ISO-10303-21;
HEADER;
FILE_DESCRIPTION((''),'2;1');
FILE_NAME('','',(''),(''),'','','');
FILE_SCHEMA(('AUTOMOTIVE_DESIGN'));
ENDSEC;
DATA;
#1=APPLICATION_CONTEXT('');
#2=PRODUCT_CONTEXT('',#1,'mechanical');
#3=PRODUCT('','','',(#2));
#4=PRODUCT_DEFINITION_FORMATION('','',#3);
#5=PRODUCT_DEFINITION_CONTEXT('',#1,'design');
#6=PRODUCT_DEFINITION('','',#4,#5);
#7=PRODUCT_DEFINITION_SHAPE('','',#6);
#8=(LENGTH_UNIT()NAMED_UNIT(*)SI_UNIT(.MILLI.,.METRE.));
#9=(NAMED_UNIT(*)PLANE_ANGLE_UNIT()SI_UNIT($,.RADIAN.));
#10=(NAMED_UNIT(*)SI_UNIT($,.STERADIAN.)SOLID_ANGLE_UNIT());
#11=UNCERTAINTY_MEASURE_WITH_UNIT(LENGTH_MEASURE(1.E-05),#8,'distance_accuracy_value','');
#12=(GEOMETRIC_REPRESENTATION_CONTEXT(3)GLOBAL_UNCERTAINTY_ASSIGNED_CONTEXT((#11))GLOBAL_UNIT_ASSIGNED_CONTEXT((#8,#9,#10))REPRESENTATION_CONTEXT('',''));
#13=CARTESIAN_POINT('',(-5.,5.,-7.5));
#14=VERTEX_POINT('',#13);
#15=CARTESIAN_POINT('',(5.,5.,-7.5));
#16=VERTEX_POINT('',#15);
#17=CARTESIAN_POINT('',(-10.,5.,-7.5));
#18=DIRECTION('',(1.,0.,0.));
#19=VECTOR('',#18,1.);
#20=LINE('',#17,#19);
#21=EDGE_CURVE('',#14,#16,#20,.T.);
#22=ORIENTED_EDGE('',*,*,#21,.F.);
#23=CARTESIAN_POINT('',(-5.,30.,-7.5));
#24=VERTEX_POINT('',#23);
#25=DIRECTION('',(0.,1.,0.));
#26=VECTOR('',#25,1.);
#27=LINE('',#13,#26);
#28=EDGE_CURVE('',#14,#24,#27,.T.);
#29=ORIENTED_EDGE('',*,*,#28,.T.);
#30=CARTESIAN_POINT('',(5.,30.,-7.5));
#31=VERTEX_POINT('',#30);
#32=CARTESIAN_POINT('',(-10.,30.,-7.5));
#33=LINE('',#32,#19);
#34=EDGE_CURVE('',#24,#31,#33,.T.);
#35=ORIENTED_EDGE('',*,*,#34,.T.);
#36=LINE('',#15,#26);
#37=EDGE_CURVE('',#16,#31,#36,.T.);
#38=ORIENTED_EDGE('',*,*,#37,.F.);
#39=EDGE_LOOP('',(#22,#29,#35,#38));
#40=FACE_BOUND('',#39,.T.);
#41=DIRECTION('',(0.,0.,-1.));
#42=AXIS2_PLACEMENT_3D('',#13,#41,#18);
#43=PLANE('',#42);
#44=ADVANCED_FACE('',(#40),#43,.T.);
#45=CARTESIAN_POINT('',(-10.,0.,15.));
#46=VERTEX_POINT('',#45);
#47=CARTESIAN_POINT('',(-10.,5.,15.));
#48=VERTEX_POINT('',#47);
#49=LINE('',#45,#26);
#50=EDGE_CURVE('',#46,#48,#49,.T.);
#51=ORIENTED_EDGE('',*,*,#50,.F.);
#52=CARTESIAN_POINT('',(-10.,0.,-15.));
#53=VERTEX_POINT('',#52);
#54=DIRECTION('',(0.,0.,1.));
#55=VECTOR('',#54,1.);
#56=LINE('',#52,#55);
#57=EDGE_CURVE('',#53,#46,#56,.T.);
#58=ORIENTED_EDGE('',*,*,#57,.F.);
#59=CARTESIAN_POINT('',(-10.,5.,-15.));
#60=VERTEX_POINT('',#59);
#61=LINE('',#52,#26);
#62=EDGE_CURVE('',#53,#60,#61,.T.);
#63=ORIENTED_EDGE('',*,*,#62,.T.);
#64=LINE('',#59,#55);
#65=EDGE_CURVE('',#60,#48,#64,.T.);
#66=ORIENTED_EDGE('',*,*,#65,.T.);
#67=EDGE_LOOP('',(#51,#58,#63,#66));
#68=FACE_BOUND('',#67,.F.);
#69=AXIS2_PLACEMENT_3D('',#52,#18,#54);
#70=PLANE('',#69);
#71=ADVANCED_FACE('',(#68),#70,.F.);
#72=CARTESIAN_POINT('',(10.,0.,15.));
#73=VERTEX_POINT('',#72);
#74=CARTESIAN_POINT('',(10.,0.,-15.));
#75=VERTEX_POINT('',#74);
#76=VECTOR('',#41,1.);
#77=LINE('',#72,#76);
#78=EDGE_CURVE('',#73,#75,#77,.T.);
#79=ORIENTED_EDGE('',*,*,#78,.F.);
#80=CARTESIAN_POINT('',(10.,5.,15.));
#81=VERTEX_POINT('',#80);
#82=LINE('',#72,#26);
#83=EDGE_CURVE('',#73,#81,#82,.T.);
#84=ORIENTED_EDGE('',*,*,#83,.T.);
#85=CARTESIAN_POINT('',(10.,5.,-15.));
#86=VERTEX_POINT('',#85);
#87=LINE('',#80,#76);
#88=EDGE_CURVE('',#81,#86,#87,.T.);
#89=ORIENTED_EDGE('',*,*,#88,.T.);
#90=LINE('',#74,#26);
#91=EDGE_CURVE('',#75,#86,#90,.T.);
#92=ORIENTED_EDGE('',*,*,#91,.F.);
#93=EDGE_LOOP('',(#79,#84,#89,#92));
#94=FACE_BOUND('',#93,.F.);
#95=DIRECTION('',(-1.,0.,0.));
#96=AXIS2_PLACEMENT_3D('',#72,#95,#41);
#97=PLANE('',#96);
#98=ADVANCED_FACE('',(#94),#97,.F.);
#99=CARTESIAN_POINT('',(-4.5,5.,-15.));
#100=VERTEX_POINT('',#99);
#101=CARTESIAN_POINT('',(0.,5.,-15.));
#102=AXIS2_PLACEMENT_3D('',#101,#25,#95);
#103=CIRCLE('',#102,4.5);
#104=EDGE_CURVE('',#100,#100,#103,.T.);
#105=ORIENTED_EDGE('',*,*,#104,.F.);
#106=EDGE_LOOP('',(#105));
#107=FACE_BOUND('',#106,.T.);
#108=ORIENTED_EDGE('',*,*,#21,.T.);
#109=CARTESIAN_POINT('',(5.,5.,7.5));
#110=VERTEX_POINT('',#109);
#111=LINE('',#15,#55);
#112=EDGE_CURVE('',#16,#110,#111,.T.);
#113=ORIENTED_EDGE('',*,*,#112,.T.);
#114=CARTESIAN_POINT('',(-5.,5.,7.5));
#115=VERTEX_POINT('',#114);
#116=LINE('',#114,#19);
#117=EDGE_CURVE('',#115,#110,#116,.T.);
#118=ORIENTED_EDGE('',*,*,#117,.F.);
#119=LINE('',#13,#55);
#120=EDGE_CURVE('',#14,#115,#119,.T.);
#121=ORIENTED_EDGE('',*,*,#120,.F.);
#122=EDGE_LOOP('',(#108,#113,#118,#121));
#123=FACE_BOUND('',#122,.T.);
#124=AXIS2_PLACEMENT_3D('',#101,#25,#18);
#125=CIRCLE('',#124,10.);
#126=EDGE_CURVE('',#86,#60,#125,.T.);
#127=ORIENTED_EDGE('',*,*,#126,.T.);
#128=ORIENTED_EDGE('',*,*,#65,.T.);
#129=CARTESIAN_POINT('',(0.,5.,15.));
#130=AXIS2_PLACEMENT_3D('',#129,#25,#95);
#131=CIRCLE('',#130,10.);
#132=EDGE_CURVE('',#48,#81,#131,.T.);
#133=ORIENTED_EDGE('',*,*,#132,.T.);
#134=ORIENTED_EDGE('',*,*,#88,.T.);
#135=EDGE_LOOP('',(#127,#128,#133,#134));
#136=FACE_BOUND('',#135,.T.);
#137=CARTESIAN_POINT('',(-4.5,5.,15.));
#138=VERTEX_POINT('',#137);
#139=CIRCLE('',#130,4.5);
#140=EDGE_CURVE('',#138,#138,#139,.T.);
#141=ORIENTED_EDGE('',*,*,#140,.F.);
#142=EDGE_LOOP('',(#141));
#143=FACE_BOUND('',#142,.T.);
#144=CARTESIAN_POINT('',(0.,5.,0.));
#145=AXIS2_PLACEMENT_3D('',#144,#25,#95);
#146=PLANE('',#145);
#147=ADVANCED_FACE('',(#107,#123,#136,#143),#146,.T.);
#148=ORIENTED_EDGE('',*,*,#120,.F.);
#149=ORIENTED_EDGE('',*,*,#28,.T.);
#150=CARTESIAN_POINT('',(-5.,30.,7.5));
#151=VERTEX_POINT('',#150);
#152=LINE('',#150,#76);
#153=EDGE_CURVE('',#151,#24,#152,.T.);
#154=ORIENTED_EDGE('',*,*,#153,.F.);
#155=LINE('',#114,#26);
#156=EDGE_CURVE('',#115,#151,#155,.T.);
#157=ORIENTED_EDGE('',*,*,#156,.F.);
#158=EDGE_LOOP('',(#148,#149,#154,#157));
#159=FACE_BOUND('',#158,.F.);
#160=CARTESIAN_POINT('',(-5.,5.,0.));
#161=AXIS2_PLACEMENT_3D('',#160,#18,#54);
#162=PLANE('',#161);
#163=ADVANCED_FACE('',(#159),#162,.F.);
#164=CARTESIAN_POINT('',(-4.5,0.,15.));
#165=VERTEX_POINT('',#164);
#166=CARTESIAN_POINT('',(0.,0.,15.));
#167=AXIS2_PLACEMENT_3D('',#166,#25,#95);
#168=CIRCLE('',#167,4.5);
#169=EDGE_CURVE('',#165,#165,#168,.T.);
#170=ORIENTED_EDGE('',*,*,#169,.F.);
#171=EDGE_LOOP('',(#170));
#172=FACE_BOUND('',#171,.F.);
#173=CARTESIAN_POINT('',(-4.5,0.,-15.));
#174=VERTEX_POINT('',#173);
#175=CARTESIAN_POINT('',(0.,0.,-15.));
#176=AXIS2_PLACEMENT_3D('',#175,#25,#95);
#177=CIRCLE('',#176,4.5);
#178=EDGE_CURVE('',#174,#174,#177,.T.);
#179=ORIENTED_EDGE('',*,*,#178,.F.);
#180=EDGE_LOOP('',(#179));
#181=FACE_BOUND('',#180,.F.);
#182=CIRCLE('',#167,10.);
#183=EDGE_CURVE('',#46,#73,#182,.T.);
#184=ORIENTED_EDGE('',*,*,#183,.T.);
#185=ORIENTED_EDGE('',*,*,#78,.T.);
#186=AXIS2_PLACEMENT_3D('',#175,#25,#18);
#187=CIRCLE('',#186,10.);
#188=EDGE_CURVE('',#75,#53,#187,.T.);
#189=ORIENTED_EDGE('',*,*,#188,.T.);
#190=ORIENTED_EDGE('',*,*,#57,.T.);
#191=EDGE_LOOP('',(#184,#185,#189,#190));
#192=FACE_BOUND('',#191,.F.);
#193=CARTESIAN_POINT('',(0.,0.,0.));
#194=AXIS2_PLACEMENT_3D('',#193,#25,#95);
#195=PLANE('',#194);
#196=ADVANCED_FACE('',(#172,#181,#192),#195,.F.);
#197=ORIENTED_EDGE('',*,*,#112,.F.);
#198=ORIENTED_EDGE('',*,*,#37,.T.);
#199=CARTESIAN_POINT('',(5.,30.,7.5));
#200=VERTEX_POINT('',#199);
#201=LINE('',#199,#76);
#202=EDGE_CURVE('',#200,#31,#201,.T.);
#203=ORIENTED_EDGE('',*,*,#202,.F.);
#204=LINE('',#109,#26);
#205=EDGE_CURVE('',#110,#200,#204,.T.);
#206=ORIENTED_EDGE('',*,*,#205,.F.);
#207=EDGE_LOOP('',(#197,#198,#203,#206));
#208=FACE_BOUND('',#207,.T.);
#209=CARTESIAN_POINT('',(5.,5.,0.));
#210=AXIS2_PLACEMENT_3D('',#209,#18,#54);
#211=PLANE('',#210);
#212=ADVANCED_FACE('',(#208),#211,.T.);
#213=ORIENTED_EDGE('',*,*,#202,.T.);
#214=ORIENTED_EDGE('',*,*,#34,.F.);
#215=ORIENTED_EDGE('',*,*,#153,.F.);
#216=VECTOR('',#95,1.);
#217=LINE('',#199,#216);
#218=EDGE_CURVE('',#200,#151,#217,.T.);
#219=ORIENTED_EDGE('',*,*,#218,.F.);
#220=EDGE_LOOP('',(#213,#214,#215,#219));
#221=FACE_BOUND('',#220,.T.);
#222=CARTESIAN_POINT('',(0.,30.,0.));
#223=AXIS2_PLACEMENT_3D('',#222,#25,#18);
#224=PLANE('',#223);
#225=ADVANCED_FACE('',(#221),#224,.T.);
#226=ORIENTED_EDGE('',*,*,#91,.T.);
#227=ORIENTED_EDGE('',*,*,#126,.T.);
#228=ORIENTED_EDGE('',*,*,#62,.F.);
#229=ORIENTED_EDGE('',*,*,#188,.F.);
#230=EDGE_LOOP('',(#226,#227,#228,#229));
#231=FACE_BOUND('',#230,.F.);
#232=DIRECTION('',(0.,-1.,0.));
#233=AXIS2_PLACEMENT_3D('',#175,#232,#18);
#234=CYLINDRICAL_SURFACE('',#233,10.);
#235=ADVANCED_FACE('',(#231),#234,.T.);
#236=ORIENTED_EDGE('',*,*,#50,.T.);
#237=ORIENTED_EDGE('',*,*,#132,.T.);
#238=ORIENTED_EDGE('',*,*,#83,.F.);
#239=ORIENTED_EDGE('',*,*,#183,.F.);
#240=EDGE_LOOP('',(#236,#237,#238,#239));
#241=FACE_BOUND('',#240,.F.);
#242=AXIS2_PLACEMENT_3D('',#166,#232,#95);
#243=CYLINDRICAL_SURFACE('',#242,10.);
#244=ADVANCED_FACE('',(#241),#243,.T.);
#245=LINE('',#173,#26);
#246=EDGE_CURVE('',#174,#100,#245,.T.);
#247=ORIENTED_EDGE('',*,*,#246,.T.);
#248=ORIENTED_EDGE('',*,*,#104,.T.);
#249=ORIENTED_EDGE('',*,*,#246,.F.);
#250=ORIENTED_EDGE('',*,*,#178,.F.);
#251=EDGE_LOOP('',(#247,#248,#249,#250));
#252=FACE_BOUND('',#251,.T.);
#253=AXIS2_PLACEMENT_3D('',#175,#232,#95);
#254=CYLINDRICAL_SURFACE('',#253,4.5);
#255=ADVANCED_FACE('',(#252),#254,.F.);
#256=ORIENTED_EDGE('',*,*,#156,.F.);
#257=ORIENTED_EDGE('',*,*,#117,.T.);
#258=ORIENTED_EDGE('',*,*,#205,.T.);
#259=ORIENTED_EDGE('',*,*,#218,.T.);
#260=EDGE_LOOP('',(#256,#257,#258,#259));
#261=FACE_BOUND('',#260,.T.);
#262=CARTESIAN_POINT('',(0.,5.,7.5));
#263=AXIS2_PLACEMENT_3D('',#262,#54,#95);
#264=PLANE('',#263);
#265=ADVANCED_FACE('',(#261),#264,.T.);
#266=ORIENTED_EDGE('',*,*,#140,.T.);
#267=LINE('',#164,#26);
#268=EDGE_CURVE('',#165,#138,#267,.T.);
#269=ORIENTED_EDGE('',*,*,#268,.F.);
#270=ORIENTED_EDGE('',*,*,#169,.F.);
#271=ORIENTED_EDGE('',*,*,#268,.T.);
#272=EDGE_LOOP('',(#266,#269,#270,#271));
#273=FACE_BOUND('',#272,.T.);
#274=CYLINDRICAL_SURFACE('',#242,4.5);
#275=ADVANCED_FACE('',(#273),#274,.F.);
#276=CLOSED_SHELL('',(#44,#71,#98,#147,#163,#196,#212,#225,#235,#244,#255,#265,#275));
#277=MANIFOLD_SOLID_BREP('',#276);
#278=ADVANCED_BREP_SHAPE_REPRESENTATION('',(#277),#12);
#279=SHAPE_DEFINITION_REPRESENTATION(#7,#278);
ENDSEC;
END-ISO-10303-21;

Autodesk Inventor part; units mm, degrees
ref_plane "YZ Plane" through (0, 0, 0) normal (1, 0, 0) x (0, 1, 0)
ref_plane "XZ Plane" through (0, 0, 0) normal (0, 1, 0) x (-1, 0, 0)
ref_plane "XY Plane" through (0, 0, 0) normal (0, 0, 1) x (1, 0, 0)
sketch "Szkic1" plane through (0, 0, 0) normal (0, 1, 0) x (-1, 0, 0)
  circle A0 centre (0, -15) radius 4.5
  circle A1 centre (0, 15) radius 4.5
  line L0 (10, -15) -> (10, 15)
  line L1 (-10, 15) -> (-10, -15)
  arc A2 (10, 15) -> (-10, 15) centre (0, 15) ccw
  arc A3 (-10, -15) -> (10, -15) centre (0, -15) ccw
  point P0 (0, 0)
  dimension "d6" = 9
extrude "Wyciągnięcie proste1" add sketch "Szkic1" along normal blind 5
sketch "Szkic2" plane through (0, 5, 0) normal (0, 1, 0) x (1, 0, 0)
  line L0 (0, -7.5) -> (-10, -7.5)
  line L1 (-10, 15) -> (-10, -15) projected
  line L2 (-10, -7.5) -> (-10, 7.5)
  line L3 (-10, 7.5) -> (10, 7.5)
  line L4 (10, -15) -> (10, 15) projected
  line L5 (0, -7.5) -> (10, -7.5)
  line L6 (10, 7.5) -> (10, -7.5)
  line L7 (0, 0) -> (5, 0)
  line L8 (5, 0) -> (5, 7.5)
  line L9 (5, 0) -> (5, -7.5)
  line L10 (0, 0) -> (-5, 0)
  line L11 (-5, 0) -> (-5, 7.5)
  line L12 (-5, 0) -> (-5, -7.5)
  dimension "d11" = 7.5
  dimension "d12" = 15
  dimension "d13" = 5
  dimension "d14" = 5
extrude "Wyciągnięcie proste2" add sketch "Szkic2" along normal blind 25 contours L0 L12 L10 L7 L9 L5 | L11 L3 L8 L7 L10
properties part number "Sztywny uchwyt prowadnic"
